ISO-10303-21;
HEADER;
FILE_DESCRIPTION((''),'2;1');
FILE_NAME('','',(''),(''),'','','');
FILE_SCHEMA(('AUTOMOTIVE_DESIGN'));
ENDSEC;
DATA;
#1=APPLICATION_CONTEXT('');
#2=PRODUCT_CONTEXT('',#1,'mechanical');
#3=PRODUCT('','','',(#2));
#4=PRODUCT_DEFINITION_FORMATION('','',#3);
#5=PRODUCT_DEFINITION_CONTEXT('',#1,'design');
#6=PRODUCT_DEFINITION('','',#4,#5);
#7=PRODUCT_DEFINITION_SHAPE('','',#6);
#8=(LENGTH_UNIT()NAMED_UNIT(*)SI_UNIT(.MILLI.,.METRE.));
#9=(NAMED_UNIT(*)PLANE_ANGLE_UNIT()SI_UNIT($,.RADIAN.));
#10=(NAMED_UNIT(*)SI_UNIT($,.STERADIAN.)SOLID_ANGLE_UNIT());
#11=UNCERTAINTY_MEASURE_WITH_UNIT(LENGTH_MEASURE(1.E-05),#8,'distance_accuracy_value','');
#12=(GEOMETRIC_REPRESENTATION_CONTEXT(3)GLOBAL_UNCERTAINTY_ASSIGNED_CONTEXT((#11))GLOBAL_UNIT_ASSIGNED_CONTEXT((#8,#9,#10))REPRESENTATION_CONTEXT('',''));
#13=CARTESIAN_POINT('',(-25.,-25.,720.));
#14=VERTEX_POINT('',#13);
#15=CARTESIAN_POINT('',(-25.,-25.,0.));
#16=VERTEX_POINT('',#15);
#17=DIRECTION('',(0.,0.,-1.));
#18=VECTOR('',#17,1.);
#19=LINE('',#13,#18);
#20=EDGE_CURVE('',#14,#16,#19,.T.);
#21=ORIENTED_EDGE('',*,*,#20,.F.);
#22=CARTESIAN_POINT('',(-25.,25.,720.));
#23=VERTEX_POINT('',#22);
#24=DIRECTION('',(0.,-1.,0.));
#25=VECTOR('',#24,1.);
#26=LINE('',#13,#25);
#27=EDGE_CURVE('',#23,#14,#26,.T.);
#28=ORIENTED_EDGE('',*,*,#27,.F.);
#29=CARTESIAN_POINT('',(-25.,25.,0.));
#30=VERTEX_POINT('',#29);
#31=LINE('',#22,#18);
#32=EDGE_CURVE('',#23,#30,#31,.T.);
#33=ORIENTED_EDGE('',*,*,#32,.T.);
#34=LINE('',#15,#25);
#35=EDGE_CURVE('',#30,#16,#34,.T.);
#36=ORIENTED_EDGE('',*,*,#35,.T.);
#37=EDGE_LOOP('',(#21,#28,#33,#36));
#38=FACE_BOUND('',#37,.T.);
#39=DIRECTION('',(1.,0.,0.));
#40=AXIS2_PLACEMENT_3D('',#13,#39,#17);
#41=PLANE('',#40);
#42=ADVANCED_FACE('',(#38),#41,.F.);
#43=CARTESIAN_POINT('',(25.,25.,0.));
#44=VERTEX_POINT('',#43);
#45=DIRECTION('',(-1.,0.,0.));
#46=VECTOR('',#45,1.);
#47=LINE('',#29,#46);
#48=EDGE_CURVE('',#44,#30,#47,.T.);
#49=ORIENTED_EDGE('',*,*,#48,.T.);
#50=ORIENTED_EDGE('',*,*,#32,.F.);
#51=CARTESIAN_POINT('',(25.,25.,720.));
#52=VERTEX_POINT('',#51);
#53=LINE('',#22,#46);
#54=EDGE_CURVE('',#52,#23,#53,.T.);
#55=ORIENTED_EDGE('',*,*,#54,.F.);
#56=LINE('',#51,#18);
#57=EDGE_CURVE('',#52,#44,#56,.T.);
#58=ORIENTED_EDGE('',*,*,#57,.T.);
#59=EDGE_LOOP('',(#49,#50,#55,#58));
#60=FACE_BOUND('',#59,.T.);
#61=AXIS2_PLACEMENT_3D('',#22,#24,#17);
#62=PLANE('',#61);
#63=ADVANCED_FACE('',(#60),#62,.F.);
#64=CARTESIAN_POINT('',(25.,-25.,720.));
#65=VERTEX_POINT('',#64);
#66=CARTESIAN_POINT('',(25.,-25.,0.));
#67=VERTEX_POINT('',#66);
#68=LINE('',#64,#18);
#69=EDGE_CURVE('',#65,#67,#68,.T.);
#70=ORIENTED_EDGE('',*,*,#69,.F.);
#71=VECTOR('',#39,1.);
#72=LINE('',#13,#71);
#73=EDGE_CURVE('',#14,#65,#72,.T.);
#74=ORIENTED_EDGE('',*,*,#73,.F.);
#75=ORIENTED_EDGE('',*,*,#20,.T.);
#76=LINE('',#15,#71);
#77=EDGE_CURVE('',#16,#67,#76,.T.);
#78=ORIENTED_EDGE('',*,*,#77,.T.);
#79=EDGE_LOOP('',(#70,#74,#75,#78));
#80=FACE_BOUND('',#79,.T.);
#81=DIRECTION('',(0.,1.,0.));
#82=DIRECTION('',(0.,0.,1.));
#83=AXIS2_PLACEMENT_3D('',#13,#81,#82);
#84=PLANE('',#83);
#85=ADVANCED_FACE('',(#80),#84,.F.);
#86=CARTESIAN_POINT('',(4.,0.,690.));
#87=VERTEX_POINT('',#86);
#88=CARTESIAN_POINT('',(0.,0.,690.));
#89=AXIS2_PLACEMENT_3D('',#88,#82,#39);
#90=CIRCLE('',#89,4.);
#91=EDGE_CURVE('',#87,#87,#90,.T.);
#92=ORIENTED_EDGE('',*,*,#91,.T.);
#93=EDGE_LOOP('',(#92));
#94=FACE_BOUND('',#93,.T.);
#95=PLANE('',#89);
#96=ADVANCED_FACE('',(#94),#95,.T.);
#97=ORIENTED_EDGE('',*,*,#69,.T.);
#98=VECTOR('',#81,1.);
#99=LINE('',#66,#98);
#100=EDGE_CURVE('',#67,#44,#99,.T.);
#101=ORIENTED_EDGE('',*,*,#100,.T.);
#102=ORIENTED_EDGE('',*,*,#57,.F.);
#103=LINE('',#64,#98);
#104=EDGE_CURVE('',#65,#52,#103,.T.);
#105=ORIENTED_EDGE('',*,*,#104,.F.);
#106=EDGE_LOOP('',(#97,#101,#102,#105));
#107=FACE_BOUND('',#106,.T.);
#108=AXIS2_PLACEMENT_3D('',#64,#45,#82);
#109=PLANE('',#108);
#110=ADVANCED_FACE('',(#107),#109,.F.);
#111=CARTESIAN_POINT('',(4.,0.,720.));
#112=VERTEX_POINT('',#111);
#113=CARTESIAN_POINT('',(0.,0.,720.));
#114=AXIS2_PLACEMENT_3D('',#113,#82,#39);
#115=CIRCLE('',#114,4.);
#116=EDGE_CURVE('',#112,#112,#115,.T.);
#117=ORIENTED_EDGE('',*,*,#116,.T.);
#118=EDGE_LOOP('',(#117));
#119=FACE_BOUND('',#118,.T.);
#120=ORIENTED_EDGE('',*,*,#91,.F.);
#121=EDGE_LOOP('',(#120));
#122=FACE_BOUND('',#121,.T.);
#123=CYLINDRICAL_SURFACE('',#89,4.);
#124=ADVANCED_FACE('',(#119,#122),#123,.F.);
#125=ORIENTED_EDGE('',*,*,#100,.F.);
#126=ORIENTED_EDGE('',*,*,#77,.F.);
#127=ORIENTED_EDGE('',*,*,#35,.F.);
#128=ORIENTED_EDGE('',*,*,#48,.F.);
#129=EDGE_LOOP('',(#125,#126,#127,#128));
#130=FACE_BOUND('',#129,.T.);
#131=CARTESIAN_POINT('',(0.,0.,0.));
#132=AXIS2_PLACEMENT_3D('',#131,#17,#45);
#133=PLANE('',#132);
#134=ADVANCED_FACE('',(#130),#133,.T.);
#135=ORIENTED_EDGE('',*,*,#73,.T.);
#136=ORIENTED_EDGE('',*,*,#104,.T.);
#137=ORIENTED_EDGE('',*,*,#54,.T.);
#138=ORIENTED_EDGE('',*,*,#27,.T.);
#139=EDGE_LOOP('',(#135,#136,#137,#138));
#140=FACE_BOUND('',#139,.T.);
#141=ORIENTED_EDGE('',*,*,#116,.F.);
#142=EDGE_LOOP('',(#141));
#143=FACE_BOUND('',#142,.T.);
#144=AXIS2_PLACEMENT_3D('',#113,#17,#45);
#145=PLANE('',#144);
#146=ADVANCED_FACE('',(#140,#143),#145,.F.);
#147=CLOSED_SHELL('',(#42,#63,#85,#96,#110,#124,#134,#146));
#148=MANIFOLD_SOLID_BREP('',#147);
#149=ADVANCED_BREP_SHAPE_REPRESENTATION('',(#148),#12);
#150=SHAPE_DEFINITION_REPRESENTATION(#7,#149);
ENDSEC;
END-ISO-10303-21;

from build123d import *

# Parameters (mm, degrees)
SKETCH1_W           = 50
SKETCH1_H           = 50
BOSS_EXTRUDE1_DEPTH = 720
SKETCH2_R           = 4
CUT_EXTRUDE1_DEPTH  = 30
SKETCH3_W           = 50
SKETCH3_H           = 50
BOSS_EXTRUDE2_DEPTH = 720
SKETCH4_R           = 4
CUT_EXTRUDE2_DEPTH  = 30


with BuildPart() as part:
    # Sketch1 → Boss-Extrude1 (new body)
    with BuildSketch(Plane.XY):
        Rectangle(SKETCH1_W, SKETCH1_H)
    extrude(amount=BOSS_EXTRUDE1_DEPTH)

    # Sketch2 → Cut-Extrude1 (cut)
    with BuildSketch(Plane.XY.offset(720)):
        Circle(SKETCH2_R)
    extrude(amount=-CUT_EXTRUDE1_DEPTH, mode=Mode.SUBTRACT)

    # Sketch3 → Boss-Extrude2 (add)
    with BuildSketch(Plane.XY):
        Rectangle(SKETCH3_W, SKETCH3_H)
    extrude(amount=BOSS_EXTRUDE2_DEPTH)

    # Sketch4 → Cut-Extrude2 (cut)
    with BuildSketch(Plane.XY.offset(720)):
        Circle(SKETCH4_R)
    extrude(amount=-CUT_EXTRUDE2_DEPTH, mode=Mode.SUBTRACT)


solid = part.part
